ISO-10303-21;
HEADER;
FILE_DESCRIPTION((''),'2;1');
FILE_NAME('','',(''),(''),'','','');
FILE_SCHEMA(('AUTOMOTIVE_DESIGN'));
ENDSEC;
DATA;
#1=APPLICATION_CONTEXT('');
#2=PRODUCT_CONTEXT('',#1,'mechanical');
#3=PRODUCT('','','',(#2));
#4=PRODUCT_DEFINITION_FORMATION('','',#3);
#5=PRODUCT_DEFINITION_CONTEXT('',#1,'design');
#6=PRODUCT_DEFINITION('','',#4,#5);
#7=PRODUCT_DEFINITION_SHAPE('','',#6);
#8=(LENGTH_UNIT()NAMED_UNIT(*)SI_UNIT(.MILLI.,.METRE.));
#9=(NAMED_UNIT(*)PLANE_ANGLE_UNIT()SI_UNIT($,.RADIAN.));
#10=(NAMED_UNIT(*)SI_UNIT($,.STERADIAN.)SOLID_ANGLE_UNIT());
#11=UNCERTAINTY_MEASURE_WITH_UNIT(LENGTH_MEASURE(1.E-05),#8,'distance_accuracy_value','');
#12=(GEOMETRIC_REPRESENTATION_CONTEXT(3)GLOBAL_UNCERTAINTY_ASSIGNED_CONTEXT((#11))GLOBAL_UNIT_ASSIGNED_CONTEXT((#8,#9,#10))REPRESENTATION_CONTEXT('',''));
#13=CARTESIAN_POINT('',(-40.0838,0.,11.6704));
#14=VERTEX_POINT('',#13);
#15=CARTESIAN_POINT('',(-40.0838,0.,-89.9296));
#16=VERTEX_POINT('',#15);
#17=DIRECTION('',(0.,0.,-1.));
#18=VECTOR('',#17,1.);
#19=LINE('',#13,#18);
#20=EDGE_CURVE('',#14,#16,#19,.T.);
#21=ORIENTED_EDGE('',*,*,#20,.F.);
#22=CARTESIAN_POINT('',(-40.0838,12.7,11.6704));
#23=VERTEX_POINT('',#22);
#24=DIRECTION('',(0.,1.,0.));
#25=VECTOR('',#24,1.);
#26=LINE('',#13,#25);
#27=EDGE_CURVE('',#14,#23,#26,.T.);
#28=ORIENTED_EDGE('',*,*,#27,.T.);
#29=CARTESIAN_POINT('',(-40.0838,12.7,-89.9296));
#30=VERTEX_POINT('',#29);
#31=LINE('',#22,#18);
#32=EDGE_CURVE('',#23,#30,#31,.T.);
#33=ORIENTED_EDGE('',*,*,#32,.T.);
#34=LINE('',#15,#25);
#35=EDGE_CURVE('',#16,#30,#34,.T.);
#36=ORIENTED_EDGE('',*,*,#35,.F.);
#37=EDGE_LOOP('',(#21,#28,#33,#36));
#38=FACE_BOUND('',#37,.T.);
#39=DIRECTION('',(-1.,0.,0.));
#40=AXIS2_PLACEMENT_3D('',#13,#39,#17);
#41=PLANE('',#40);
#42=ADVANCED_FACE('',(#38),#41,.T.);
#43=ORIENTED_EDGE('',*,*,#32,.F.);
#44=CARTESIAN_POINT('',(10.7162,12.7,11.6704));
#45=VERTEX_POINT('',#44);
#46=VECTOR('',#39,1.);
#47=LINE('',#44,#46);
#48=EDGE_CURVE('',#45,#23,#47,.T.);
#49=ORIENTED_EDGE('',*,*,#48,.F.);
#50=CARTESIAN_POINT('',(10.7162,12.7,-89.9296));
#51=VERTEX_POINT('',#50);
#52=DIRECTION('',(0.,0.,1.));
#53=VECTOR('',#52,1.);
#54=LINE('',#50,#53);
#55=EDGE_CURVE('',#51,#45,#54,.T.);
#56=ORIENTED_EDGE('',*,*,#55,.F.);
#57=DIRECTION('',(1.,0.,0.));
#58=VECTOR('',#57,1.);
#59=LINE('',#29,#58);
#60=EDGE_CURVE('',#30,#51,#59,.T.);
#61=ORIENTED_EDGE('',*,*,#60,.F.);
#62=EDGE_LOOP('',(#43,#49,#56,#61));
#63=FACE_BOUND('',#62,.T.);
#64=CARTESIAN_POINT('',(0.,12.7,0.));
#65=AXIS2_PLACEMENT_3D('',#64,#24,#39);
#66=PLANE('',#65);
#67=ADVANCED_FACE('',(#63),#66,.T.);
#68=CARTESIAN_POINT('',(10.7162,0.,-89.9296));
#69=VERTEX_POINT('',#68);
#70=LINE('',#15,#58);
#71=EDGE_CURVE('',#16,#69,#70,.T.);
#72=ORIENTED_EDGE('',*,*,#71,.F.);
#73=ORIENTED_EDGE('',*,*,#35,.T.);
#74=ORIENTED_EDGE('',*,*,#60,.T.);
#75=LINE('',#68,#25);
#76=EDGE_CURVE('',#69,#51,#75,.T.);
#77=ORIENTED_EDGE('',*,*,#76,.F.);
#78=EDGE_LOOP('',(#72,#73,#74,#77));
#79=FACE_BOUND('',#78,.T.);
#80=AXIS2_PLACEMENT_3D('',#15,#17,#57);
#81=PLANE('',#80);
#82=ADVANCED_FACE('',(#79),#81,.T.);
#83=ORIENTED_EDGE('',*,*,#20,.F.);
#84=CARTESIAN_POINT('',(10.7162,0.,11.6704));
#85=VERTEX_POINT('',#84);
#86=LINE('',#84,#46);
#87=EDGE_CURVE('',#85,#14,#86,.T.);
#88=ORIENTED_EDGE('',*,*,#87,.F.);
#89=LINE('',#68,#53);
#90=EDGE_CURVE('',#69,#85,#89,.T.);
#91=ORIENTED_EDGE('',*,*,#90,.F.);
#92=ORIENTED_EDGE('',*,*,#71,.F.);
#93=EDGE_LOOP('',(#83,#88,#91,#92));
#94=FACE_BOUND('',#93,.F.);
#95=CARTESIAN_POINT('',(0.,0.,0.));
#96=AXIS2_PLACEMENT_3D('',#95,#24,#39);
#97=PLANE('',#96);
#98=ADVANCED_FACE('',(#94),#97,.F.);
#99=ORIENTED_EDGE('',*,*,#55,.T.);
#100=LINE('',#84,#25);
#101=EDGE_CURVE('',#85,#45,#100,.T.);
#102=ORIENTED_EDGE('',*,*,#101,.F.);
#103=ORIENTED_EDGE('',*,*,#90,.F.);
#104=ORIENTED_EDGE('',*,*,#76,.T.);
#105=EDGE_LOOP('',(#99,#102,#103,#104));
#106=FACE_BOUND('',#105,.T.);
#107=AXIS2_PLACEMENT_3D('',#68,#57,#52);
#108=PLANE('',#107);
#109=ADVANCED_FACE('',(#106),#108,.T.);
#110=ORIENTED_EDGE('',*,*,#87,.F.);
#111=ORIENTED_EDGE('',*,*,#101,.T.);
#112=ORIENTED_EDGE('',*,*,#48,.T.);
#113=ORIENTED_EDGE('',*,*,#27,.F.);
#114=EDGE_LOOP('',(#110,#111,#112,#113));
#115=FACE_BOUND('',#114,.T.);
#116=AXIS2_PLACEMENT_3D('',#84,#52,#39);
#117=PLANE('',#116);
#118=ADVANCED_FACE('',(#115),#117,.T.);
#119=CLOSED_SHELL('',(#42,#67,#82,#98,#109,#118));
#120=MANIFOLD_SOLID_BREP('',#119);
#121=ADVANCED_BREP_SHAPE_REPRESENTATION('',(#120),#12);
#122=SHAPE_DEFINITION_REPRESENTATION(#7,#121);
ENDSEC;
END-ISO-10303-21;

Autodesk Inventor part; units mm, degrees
ref_plane "YZ Plane" through (0, 0, 0) normal (1, 0, 0) x (0, 1, 0)
ref_plane "XZ Plane" through (0, 0, 0) normal (0, 1, 0) x (-1, 0, 0)
ref_plane "XY Plane" through (0, 0, 0) normal (0, 0, 1) x (1, 0, 0)
sketch "Sketch1" plane through (0, 0, 0) normal (0, 1, 0) x (-1, 0, 0)
  line L0 (-10.7162, 11.6704) -> (40.0838, 11.6704)
  line L1 (40.0838, 11.6704) -> (40.0838, -89.9296)
  line L2 (40.0838, -89.9296) -> (-10.7162, -89.9296)
  line L3 (-10.7162, -89.9296) -> (-10.7162, 11.6704)
  point P0 (0, 0)
  dimension "d0" = 50.8
  dimension "d1" = 101.6
extrude "Extrusion1" add sketch "Sketch1" along normal blind 12.7
properties part number "chipkit"
